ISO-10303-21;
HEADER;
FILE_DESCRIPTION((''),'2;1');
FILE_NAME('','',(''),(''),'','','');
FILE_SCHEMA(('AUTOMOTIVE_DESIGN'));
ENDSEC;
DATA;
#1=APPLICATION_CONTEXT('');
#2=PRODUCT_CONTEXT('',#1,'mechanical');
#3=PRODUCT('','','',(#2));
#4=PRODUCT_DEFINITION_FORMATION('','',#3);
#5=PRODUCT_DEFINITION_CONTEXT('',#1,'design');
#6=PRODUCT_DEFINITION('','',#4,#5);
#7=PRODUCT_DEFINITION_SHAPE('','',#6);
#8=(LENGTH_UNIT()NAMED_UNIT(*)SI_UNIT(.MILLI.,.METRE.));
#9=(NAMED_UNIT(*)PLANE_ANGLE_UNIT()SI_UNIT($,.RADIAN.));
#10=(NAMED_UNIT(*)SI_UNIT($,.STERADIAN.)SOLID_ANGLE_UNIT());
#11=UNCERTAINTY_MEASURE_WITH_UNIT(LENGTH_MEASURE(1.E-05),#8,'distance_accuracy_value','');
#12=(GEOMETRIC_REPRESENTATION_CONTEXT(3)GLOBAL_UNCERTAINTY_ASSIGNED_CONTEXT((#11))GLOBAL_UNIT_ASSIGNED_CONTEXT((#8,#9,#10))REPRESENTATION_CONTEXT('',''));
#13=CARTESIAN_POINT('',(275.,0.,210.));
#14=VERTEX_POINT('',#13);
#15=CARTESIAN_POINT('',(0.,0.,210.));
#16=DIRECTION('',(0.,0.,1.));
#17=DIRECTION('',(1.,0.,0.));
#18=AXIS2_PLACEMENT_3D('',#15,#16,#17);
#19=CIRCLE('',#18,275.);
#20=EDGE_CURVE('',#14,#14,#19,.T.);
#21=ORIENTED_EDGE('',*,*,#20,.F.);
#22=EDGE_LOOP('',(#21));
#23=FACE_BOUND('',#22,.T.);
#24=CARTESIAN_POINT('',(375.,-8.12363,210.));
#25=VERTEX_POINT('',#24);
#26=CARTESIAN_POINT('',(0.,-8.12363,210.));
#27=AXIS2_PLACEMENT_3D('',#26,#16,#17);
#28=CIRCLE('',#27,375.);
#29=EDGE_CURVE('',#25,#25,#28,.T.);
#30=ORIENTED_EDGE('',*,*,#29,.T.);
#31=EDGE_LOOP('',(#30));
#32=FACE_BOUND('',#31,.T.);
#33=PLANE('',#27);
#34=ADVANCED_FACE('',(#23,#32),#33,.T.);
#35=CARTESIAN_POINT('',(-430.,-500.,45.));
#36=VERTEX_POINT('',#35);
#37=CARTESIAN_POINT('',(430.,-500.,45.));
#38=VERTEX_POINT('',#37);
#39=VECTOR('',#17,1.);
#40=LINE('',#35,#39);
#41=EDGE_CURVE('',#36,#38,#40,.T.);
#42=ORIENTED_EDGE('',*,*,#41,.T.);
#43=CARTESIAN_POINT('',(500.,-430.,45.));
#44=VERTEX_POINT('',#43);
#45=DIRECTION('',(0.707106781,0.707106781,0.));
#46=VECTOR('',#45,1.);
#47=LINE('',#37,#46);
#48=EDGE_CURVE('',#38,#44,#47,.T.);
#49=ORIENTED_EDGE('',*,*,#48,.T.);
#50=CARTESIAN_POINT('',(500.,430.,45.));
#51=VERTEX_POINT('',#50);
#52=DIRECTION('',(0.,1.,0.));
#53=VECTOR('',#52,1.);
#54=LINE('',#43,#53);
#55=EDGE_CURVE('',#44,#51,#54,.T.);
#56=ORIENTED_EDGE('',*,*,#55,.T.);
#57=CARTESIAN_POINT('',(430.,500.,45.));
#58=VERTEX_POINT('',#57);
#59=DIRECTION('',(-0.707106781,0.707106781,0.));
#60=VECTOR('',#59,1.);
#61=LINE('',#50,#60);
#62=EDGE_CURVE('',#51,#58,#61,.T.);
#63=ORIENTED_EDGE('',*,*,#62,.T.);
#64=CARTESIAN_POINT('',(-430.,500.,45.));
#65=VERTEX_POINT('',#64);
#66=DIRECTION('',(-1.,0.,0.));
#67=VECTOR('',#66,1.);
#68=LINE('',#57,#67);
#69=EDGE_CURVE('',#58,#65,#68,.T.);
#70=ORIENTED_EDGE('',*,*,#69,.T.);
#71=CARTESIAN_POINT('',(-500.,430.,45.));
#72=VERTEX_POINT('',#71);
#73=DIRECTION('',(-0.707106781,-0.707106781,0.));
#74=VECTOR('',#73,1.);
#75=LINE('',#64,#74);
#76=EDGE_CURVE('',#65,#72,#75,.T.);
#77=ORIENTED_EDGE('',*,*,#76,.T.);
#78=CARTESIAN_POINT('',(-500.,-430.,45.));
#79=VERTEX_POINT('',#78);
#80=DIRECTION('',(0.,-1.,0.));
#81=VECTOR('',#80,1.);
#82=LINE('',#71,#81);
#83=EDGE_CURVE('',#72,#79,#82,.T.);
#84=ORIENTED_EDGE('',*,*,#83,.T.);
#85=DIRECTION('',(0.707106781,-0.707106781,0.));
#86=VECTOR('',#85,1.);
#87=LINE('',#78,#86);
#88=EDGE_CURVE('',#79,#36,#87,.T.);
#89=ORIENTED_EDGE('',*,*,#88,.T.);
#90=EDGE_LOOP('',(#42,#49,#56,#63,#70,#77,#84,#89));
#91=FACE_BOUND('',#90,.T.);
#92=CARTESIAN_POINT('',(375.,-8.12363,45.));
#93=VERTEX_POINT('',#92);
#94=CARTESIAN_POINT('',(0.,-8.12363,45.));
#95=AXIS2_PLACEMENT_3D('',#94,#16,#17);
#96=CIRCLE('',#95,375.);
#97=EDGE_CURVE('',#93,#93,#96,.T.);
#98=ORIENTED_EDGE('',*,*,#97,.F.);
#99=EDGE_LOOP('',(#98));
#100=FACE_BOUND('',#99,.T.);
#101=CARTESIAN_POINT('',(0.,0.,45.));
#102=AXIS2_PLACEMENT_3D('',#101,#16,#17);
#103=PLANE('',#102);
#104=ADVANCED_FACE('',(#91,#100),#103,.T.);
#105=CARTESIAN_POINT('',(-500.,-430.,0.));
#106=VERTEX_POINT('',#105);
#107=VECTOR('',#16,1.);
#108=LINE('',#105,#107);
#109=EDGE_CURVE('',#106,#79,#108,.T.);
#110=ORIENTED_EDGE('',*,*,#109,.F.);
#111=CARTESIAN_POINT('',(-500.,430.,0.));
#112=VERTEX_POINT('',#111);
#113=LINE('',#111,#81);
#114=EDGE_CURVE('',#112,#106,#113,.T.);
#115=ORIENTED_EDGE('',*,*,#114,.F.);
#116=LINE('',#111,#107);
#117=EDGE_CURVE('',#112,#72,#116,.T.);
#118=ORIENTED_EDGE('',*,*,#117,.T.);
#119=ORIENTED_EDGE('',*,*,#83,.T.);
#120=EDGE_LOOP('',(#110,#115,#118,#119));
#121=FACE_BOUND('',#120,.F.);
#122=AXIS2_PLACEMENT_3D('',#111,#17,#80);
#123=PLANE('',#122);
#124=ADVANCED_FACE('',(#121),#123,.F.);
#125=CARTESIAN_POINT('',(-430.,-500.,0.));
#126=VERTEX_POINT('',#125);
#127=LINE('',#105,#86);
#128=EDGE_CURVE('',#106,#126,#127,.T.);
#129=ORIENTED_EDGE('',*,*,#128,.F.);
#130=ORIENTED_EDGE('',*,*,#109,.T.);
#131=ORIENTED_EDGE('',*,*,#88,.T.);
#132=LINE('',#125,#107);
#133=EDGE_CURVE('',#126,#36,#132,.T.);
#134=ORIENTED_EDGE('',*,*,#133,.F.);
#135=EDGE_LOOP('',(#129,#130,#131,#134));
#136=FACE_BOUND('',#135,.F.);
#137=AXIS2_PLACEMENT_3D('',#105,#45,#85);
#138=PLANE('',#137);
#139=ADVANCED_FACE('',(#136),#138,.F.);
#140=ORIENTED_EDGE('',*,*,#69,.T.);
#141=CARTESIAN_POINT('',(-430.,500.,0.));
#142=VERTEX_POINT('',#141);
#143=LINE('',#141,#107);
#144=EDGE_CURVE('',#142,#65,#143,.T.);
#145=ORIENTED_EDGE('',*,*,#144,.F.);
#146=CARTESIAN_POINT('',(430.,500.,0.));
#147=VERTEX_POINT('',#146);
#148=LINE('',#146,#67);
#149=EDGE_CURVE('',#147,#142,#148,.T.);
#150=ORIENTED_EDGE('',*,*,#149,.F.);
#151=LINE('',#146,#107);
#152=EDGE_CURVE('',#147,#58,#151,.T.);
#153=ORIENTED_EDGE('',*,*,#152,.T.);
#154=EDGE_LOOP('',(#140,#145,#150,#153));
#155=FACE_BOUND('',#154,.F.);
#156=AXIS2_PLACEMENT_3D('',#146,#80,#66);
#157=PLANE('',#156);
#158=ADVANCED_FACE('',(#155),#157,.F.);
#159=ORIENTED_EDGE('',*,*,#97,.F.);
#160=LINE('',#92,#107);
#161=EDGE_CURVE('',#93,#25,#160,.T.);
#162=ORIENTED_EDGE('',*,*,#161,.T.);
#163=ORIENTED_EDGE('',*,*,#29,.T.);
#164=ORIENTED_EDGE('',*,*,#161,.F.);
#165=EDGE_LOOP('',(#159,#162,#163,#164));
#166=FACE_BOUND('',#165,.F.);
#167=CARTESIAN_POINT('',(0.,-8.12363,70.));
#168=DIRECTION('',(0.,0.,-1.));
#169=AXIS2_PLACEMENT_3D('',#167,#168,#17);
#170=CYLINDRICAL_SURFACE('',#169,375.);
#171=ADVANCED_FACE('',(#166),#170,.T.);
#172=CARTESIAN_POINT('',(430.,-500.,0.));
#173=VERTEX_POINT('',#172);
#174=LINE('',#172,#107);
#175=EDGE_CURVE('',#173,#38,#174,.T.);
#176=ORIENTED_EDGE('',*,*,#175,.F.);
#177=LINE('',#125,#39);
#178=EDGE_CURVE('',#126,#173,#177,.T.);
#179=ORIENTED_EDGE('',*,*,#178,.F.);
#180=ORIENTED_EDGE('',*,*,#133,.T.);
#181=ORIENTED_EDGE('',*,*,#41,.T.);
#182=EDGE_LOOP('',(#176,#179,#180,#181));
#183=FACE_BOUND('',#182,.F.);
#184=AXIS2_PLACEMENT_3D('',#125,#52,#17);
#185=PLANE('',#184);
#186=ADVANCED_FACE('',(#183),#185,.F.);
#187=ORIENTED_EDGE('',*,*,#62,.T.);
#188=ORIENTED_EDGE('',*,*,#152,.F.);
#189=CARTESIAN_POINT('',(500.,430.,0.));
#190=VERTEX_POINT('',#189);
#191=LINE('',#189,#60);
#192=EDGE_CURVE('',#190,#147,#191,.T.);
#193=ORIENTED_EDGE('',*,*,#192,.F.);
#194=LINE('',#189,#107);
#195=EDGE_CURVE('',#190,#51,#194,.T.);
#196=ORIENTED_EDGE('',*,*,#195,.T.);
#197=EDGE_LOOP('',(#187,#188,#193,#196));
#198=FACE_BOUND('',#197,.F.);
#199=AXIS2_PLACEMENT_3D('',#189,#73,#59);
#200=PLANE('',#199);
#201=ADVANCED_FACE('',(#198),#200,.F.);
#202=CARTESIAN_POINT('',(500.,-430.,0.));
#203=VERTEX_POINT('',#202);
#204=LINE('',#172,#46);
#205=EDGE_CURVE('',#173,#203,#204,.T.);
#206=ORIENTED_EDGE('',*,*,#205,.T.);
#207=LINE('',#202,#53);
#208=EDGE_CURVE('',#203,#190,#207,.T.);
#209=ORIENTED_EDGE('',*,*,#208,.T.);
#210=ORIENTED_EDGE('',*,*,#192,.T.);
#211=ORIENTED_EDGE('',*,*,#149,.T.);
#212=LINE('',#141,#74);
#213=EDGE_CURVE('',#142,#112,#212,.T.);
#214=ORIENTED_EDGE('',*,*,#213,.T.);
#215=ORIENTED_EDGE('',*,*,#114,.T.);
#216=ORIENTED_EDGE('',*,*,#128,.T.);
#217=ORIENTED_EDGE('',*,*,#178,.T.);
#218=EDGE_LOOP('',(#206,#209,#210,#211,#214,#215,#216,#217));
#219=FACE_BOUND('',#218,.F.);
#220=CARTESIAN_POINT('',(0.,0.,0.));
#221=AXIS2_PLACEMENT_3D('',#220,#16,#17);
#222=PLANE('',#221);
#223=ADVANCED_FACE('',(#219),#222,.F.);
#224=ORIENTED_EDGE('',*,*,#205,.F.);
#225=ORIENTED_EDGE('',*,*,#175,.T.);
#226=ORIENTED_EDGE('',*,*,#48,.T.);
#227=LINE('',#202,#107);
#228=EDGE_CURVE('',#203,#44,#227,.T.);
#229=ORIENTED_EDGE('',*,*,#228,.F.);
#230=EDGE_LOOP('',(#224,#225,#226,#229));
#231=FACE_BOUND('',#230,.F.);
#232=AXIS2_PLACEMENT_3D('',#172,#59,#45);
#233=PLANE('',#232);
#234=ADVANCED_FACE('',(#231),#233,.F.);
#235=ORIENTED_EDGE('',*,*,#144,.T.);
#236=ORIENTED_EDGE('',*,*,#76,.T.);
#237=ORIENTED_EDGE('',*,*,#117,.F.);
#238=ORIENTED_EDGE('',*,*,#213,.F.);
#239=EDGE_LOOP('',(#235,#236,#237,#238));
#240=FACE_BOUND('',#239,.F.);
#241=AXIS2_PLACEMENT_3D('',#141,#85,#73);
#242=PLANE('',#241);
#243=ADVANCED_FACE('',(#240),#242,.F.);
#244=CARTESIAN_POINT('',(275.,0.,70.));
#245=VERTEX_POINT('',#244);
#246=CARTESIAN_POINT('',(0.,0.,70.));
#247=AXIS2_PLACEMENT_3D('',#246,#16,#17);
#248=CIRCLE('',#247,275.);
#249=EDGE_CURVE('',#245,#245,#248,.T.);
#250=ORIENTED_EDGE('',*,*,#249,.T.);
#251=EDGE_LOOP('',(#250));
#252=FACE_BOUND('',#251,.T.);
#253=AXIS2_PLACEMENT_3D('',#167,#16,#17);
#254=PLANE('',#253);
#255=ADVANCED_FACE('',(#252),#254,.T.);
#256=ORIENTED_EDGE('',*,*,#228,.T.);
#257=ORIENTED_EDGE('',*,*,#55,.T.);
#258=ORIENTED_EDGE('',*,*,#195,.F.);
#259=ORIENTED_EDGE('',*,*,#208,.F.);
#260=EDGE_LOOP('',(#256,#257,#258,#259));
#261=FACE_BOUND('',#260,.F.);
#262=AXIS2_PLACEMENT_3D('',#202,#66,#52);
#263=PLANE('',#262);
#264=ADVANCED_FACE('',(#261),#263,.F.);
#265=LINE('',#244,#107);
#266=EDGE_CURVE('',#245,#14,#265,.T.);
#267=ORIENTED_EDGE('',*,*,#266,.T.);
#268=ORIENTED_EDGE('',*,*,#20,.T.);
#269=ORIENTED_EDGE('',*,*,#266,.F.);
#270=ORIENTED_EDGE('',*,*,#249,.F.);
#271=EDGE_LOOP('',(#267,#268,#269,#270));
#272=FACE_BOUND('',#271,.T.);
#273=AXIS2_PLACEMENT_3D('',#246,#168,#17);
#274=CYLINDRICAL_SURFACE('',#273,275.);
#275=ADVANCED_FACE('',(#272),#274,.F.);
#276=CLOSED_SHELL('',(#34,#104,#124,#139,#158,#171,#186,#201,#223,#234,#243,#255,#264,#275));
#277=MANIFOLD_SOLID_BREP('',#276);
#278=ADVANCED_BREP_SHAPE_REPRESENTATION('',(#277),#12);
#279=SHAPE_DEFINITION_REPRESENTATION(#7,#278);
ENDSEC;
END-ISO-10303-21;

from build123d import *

# Parameters (mm, degrees)
F1_DEPTH = 45
F2_R     = 375
F3_DEPTH = 25
F4_R     = 375
F4_R_2   = 275
F5_DEPTH = 140


with BuildPart() as f1:
    # F0 (on Top) → F1 (new body)
    with BuildSketch(Plane.XY):
        Polygon((500, 430), (430, 500), (-430, 500), (-500, 430), (-500, -430), (-430, -500), (430, -500), (500, -430), align=None)
    extrude(amount=F1_DEPTH)

    # F2 (on face) → F3 (join)
    with BuildSketch(Plane.XY.offset(45)):
        with Locations((0, -8.12363)):
            Circle(F2_R)
    extrude(amount=F3_DEPTH)

    # F4 (on face) → F5 (join)
    with BuildSketch(Plane.XY.offset(70)):
        with Locations((0, -8.12363)):
            Circle(F4_R)
        Circle(F4_R_2, mode=Mode.SUBTRACT)
    extrude(amount=F5_DEPTH)


solid = f1.part
